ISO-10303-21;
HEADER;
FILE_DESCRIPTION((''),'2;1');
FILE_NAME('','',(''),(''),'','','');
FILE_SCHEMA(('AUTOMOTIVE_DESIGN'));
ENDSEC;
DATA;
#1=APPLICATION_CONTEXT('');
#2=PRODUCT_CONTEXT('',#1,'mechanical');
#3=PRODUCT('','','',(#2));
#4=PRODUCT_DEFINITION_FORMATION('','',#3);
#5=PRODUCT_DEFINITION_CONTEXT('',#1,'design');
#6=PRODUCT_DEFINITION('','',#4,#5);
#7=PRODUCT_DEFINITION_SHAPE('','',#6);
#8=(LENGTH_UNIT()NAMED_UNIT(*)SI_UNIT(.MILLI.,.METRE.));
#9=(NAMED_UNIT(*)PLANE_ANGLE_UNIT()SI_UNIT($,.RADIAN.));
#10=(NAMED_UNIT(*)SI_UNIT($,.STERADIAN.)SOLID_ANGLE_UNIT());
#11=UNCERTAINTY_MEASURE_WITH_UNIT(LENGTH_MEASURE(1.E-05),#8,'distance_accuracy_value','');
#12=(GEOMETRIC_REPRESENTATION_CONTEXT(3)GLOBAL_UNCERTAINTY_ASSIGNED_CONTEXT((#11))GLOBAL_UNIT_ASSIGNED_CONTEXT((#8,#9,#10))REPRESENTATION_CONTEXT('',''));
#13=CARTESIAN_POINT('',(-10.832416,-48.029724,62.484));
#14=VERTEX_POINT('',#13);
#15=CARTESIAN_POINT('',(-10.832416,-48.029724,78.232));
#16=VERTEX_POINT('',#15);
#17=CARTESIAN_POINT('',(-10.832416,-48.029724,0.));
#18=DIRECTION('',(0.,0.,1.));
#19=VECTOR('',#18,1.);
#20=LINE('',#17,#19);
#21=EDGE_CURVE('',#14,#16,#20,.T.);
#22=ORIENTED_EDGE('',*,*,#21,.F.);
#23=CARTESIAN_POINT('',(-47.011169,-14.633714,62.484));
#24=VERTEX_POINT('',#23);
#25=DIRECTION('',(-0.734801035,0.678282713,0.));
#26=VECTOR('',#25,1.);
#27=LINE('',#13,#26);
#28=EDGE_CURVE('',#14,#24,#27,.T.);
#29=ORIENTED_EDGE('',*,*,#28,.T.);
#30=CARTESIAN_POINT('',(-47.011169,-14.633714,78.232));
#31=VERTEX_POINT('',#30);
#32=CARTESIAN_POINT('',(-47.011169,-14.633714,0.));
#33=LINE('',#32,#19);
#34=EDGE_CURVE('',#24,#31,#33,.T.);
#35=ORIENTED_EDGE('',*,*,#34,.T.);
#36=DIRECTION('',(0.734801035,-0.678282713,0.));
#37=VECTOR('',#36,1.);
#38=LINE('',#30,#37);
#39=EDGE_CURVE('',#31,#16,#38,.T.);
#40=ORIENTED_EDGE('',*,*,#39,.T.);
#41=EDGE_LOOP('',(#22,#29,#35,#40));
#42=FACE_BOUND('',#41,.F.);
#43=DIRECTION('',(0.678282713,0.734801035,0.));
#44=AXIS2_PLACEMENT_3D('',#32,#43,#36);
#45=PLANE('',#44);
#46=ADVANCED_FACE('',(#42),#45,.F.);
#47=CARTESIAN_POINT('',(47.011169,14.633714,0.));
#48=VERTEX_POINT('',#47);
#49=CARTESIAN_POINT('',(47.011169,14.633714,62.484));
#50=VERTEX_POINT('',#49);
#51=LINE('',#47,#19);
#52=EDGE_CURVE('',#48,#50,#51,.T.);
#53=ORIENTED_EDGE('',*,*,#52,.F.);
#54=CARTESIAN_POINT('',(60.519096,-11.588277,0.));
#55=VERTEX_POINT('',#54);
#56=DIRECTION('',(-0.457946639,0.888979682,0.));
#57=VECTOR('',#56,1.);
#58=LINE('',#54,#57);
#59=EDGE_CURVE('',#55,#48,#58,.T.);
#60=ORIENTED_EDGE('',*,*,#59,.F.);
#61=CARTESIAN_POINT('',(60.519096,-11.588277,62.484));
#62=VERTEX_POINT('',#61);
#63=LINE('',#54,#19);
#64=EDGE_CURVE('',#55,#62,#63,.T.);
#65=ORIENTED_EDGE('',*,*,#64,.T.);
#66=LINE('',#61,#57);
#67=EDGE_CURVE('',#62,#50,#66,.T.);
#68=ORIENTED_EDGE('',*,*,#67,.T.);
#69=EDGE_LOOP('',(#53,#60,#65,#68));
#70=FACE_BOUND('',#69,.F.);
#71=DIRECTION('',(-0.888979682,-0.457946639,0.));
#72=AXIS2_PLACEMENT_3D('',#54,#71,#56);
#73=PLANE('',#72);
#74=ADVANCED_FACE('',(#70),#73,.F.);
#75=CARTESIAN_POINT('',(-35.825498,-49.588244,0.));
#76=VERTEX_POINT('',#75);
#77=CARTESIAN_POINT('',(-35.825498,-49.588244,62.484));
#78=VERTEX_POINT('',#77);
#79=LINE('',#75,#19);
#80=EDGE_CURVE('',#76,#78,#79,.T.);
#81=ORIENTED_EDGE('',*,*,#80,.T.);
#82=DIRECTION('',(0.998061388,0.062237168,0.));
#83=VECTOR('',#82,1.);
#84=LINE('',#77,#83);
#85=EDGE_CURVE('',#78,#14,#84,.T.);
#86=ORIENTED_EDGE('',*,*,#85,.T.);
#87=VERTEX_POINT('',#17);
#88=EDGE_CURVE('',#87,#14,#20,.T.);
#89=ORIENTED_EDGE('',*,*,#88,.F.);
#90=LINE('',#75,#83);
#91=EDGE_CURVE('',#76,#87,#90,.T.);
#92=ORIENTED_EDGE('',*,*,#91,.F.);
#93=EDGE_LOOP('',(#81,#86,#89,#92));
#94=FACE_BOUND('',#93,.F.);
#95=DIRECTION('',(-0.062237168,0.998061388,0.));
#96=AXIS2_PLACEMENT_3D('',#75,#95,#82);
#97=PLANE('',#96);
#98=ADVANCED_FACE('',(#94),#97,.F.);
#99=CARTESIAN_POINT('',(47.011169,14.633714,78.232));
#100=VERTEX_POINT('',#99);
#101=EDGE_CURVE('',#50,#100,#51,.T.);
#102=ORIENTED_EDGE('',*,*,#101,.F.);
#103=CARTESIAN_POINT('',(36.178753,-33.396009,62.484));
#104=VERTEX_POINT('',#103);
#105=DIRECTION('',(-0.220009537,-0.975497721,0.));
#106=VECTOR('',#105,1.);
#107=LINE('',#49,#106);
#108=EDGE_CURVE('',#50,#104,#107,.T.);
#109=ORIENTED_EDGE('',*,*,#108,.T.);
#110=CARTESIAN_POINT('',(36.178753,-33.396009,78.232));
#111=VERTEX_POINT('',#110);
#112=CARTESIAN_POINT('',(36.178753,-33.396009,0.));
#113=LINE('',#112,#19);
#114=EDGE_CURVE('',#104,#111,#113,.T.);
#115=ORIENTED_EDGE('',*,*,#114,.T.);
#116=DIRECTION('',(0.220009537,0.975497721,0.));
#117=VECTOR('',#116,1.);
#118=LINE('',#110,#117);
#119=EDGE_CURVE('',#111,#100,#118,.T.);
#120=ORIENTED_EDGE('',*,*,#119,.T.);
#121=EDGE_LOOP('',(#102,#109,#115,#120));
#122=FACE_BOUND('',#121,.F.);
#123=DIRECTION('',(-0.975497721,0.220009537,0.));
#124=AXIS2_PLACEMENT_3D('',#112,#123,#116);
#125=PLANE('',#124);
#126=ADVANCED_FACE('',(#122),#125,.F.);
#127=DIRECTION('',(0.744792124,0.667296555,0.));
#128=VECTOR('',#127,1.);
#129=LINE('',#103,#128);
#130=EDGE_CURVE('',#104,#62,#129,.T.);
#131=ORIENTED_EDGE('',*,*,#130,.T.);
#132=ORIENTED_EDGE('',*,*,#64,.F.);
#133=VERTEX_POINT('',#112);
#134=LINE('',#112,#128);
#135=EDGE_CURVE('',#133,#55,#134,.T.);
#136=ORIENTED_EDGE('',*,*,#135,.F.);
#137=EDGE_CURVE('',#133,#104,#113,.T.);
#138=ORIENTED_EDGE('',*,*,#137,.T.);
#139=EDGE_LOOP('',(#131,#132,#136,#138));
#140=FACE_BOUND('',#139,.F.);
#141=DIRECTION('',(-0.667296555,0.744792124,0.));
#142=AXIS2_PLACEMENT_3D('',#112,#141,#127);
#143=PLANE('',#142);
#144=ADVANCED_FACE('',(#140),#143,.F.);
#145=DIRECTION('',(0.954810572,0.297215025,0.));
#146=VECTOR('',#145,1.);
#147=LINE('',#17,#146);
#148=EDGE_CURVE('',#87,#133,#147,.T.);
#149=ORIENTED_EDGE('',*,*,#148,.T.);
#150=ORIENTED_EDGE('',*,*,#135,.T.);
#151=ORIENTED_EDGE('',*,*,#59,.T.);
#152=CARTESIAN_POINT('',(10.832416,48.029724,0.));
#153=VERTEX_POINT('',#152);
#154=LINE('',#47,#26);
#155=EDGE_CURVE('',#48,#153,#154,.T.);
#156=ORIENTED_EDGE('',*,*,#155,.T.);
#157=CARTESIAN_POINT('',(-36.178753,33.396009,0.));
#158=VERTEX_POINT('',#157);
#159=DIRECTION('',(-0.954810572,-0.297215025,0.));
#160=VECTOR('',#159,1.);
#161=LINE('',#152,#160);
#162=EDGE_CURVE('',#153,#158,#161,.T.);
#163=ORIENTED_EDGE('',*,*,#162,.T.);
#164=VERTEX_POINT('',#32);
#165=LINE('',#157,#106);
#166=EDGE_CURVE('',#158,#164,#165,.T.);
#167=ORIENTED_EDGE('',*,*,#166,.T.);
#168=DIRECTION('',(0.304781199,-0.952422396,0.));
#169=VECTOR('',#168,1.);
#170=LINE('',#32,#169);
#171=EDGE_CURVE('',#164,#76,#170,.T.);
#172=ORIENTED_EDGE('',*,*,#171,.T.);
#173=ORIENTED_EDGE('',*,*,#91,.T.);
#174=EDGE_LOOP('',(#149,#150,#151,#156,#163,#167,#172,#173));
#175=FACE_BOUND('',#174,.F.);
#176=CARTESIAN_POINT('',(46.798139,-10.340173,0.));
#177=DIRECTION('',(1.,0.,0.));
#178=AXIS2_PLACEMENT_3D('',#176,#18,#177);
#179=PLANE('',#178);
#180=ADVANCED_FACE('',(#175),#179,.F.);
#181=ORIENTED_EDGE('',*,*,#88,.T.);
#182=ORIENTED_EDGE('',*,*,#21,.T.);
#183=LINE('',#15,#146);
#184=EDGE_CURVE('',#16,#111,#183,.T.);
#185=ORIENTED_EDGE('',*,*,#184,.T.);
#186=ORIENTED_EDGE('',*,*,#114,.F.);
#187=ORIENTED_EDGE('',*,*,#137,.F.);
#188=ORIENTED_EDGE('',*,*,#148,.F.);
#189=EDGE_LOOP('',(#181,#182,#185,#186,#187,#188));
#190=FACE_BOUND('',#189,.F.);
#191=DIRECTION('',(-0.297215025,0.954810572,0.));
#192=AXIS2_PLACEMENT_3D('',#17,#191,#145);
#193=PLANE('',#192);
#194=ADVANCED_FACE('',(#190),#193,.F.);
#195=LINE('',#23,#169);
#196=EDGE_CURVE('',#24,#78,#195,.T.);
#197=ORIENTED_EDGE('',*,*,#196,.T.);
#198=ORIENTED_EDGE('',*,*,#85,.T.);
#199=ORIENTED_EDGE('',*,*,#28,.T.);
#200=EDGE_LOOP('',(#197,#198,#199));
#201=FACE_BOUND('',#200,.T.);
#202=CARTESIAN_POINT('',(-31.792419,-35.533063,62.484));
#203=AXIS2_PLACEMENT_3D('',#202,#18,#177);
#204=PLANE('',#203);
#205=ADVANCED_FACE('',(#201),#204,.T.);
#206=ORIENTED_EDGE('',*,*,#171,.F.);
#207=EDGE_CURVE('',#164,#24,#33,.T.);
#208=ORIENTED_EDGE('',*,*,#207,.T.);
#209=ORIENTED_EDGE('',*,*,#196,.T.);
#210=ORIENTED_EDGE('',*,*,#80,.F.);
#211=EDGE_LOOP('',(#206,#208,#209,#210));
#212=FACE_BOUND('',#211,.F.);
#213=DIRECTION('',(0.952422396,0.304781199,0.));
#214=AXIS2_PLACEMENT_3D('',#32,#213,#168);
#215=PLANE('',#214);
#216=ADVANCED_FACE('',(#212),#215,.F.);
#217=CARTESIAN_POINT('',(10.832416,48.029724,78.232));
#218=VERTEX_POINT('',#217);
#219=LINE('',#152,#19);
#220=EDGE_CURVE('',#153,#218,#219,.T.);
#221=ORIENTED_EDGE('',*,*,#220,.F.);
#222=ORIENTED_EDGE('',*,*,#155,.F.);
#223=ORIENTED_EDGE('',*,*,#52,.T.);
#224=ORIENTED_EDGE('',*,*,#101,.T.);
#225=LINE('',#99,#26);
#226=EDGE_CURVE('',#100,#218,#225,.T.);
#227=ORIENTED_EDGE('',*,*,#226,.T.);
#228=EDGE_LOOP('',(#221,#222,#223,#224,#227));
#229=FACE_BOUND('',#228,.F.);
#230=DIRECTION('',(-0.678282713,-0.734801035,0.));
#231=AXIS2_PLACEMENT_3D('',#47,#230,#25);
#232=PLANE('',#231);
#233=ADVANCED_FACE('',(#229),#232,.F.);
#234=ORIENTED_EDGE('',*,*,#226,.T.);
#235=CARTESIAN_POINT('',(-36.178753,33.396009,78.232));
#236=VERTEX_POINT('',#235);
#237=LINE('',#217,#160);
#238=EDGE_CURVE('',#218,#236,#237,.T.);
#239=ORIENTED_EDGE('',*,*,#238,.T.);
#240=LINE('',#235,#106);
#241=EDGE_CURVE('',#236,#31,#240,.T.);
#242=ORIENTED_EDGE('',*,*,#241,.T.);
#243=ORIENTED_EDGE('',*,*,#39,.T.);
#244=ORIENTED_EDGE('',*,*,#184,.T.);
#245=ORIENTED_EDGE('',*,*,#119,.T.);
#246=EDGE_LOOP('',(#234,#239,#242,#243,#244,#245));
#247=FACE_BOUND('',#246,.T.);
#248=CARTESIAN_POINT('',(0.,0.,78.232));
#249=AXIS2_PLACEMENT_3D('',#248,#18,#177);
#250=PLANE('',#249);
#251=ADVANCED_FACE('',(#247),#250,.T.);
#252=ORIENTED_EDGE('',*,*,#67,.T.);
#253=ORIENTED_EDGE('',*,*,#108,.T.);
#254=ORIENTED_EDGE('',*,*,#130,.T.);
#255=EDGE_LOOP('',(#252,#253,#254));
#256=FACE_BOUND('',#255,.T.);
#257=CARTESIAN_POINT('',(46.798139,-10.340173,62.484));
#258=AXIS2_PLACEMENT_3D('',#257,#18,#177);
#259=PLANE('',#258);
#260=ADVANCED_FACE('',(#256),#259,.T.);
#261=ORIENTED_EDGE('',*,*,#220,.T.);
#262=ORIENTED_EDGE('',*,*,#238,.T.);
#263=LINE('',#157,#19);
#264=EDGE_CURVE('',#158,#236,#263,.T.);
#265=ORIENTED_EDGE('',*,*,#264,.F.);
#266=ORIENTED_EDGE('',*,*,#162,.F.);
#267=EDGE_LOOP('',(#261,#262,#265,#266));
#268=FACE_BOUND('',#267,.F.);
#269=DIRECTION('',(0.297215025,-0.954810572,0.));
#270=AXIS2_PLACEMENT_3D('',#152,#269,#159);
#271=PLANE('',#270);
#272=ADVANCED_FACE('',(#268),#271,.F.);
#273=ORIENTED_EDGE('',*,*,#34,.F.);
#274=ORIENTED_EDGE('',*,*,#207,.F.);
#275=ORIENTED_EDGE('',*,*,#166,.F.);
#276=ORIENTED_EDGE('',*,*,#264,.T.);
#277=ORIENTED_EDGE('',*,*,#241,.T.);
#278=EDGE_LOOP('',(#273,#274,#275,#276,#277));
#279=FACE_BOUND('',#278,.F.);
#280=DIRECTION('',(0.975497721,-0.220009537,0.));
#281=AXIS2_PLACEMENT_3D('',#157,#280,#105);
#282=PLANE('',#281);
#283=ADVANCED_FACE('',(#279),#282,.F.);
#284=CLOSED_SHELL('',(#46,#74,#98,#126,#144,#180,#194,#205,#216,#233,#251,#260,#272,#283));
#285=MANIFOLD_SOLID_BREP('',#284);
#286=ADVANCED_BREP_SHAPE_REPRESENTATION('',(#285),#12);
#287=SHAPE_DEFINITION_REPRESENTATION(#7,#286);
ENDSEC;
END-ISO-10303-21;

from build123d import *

# Parameters (mm, degrees)
F1_DEPTH = 78.232
F2_DEPTH = 62.484
F3_DEPTH = 62.484


with BuildPart() as f1:
    # F0 (on Top) → F1 (new body)
    with BuildSketch(Plane.XY):
        Polygon((-36.178753, 33.396009), (-47.011169, -14.633714), (-10.832416, -48.029724), (36.178753, -33.396009), (47.011169, 14.633714), (10.832416, 48.029724), align=None)
    extrude(amount=F1_DEPTH)

    # F0 (on Top) → F2 (join)
    with BuildSketch(Plane.XY):
        Polygon((-10.832416, -48.029724), (-47.011169, -14.633714), (-35.825498, -49.588244), align=None)
    extrude(amount=F2_DEPTH)

    # F0 (on Top) → F3 (join)
    with BuildSketch(Plane.XY):
        Polygon((47.011169, 14.633714), (36.178753, -33.396009), (60.519096, -11.588277), align=None)
    extrude(amount=F3_DEPTH)


solid = f1.part
